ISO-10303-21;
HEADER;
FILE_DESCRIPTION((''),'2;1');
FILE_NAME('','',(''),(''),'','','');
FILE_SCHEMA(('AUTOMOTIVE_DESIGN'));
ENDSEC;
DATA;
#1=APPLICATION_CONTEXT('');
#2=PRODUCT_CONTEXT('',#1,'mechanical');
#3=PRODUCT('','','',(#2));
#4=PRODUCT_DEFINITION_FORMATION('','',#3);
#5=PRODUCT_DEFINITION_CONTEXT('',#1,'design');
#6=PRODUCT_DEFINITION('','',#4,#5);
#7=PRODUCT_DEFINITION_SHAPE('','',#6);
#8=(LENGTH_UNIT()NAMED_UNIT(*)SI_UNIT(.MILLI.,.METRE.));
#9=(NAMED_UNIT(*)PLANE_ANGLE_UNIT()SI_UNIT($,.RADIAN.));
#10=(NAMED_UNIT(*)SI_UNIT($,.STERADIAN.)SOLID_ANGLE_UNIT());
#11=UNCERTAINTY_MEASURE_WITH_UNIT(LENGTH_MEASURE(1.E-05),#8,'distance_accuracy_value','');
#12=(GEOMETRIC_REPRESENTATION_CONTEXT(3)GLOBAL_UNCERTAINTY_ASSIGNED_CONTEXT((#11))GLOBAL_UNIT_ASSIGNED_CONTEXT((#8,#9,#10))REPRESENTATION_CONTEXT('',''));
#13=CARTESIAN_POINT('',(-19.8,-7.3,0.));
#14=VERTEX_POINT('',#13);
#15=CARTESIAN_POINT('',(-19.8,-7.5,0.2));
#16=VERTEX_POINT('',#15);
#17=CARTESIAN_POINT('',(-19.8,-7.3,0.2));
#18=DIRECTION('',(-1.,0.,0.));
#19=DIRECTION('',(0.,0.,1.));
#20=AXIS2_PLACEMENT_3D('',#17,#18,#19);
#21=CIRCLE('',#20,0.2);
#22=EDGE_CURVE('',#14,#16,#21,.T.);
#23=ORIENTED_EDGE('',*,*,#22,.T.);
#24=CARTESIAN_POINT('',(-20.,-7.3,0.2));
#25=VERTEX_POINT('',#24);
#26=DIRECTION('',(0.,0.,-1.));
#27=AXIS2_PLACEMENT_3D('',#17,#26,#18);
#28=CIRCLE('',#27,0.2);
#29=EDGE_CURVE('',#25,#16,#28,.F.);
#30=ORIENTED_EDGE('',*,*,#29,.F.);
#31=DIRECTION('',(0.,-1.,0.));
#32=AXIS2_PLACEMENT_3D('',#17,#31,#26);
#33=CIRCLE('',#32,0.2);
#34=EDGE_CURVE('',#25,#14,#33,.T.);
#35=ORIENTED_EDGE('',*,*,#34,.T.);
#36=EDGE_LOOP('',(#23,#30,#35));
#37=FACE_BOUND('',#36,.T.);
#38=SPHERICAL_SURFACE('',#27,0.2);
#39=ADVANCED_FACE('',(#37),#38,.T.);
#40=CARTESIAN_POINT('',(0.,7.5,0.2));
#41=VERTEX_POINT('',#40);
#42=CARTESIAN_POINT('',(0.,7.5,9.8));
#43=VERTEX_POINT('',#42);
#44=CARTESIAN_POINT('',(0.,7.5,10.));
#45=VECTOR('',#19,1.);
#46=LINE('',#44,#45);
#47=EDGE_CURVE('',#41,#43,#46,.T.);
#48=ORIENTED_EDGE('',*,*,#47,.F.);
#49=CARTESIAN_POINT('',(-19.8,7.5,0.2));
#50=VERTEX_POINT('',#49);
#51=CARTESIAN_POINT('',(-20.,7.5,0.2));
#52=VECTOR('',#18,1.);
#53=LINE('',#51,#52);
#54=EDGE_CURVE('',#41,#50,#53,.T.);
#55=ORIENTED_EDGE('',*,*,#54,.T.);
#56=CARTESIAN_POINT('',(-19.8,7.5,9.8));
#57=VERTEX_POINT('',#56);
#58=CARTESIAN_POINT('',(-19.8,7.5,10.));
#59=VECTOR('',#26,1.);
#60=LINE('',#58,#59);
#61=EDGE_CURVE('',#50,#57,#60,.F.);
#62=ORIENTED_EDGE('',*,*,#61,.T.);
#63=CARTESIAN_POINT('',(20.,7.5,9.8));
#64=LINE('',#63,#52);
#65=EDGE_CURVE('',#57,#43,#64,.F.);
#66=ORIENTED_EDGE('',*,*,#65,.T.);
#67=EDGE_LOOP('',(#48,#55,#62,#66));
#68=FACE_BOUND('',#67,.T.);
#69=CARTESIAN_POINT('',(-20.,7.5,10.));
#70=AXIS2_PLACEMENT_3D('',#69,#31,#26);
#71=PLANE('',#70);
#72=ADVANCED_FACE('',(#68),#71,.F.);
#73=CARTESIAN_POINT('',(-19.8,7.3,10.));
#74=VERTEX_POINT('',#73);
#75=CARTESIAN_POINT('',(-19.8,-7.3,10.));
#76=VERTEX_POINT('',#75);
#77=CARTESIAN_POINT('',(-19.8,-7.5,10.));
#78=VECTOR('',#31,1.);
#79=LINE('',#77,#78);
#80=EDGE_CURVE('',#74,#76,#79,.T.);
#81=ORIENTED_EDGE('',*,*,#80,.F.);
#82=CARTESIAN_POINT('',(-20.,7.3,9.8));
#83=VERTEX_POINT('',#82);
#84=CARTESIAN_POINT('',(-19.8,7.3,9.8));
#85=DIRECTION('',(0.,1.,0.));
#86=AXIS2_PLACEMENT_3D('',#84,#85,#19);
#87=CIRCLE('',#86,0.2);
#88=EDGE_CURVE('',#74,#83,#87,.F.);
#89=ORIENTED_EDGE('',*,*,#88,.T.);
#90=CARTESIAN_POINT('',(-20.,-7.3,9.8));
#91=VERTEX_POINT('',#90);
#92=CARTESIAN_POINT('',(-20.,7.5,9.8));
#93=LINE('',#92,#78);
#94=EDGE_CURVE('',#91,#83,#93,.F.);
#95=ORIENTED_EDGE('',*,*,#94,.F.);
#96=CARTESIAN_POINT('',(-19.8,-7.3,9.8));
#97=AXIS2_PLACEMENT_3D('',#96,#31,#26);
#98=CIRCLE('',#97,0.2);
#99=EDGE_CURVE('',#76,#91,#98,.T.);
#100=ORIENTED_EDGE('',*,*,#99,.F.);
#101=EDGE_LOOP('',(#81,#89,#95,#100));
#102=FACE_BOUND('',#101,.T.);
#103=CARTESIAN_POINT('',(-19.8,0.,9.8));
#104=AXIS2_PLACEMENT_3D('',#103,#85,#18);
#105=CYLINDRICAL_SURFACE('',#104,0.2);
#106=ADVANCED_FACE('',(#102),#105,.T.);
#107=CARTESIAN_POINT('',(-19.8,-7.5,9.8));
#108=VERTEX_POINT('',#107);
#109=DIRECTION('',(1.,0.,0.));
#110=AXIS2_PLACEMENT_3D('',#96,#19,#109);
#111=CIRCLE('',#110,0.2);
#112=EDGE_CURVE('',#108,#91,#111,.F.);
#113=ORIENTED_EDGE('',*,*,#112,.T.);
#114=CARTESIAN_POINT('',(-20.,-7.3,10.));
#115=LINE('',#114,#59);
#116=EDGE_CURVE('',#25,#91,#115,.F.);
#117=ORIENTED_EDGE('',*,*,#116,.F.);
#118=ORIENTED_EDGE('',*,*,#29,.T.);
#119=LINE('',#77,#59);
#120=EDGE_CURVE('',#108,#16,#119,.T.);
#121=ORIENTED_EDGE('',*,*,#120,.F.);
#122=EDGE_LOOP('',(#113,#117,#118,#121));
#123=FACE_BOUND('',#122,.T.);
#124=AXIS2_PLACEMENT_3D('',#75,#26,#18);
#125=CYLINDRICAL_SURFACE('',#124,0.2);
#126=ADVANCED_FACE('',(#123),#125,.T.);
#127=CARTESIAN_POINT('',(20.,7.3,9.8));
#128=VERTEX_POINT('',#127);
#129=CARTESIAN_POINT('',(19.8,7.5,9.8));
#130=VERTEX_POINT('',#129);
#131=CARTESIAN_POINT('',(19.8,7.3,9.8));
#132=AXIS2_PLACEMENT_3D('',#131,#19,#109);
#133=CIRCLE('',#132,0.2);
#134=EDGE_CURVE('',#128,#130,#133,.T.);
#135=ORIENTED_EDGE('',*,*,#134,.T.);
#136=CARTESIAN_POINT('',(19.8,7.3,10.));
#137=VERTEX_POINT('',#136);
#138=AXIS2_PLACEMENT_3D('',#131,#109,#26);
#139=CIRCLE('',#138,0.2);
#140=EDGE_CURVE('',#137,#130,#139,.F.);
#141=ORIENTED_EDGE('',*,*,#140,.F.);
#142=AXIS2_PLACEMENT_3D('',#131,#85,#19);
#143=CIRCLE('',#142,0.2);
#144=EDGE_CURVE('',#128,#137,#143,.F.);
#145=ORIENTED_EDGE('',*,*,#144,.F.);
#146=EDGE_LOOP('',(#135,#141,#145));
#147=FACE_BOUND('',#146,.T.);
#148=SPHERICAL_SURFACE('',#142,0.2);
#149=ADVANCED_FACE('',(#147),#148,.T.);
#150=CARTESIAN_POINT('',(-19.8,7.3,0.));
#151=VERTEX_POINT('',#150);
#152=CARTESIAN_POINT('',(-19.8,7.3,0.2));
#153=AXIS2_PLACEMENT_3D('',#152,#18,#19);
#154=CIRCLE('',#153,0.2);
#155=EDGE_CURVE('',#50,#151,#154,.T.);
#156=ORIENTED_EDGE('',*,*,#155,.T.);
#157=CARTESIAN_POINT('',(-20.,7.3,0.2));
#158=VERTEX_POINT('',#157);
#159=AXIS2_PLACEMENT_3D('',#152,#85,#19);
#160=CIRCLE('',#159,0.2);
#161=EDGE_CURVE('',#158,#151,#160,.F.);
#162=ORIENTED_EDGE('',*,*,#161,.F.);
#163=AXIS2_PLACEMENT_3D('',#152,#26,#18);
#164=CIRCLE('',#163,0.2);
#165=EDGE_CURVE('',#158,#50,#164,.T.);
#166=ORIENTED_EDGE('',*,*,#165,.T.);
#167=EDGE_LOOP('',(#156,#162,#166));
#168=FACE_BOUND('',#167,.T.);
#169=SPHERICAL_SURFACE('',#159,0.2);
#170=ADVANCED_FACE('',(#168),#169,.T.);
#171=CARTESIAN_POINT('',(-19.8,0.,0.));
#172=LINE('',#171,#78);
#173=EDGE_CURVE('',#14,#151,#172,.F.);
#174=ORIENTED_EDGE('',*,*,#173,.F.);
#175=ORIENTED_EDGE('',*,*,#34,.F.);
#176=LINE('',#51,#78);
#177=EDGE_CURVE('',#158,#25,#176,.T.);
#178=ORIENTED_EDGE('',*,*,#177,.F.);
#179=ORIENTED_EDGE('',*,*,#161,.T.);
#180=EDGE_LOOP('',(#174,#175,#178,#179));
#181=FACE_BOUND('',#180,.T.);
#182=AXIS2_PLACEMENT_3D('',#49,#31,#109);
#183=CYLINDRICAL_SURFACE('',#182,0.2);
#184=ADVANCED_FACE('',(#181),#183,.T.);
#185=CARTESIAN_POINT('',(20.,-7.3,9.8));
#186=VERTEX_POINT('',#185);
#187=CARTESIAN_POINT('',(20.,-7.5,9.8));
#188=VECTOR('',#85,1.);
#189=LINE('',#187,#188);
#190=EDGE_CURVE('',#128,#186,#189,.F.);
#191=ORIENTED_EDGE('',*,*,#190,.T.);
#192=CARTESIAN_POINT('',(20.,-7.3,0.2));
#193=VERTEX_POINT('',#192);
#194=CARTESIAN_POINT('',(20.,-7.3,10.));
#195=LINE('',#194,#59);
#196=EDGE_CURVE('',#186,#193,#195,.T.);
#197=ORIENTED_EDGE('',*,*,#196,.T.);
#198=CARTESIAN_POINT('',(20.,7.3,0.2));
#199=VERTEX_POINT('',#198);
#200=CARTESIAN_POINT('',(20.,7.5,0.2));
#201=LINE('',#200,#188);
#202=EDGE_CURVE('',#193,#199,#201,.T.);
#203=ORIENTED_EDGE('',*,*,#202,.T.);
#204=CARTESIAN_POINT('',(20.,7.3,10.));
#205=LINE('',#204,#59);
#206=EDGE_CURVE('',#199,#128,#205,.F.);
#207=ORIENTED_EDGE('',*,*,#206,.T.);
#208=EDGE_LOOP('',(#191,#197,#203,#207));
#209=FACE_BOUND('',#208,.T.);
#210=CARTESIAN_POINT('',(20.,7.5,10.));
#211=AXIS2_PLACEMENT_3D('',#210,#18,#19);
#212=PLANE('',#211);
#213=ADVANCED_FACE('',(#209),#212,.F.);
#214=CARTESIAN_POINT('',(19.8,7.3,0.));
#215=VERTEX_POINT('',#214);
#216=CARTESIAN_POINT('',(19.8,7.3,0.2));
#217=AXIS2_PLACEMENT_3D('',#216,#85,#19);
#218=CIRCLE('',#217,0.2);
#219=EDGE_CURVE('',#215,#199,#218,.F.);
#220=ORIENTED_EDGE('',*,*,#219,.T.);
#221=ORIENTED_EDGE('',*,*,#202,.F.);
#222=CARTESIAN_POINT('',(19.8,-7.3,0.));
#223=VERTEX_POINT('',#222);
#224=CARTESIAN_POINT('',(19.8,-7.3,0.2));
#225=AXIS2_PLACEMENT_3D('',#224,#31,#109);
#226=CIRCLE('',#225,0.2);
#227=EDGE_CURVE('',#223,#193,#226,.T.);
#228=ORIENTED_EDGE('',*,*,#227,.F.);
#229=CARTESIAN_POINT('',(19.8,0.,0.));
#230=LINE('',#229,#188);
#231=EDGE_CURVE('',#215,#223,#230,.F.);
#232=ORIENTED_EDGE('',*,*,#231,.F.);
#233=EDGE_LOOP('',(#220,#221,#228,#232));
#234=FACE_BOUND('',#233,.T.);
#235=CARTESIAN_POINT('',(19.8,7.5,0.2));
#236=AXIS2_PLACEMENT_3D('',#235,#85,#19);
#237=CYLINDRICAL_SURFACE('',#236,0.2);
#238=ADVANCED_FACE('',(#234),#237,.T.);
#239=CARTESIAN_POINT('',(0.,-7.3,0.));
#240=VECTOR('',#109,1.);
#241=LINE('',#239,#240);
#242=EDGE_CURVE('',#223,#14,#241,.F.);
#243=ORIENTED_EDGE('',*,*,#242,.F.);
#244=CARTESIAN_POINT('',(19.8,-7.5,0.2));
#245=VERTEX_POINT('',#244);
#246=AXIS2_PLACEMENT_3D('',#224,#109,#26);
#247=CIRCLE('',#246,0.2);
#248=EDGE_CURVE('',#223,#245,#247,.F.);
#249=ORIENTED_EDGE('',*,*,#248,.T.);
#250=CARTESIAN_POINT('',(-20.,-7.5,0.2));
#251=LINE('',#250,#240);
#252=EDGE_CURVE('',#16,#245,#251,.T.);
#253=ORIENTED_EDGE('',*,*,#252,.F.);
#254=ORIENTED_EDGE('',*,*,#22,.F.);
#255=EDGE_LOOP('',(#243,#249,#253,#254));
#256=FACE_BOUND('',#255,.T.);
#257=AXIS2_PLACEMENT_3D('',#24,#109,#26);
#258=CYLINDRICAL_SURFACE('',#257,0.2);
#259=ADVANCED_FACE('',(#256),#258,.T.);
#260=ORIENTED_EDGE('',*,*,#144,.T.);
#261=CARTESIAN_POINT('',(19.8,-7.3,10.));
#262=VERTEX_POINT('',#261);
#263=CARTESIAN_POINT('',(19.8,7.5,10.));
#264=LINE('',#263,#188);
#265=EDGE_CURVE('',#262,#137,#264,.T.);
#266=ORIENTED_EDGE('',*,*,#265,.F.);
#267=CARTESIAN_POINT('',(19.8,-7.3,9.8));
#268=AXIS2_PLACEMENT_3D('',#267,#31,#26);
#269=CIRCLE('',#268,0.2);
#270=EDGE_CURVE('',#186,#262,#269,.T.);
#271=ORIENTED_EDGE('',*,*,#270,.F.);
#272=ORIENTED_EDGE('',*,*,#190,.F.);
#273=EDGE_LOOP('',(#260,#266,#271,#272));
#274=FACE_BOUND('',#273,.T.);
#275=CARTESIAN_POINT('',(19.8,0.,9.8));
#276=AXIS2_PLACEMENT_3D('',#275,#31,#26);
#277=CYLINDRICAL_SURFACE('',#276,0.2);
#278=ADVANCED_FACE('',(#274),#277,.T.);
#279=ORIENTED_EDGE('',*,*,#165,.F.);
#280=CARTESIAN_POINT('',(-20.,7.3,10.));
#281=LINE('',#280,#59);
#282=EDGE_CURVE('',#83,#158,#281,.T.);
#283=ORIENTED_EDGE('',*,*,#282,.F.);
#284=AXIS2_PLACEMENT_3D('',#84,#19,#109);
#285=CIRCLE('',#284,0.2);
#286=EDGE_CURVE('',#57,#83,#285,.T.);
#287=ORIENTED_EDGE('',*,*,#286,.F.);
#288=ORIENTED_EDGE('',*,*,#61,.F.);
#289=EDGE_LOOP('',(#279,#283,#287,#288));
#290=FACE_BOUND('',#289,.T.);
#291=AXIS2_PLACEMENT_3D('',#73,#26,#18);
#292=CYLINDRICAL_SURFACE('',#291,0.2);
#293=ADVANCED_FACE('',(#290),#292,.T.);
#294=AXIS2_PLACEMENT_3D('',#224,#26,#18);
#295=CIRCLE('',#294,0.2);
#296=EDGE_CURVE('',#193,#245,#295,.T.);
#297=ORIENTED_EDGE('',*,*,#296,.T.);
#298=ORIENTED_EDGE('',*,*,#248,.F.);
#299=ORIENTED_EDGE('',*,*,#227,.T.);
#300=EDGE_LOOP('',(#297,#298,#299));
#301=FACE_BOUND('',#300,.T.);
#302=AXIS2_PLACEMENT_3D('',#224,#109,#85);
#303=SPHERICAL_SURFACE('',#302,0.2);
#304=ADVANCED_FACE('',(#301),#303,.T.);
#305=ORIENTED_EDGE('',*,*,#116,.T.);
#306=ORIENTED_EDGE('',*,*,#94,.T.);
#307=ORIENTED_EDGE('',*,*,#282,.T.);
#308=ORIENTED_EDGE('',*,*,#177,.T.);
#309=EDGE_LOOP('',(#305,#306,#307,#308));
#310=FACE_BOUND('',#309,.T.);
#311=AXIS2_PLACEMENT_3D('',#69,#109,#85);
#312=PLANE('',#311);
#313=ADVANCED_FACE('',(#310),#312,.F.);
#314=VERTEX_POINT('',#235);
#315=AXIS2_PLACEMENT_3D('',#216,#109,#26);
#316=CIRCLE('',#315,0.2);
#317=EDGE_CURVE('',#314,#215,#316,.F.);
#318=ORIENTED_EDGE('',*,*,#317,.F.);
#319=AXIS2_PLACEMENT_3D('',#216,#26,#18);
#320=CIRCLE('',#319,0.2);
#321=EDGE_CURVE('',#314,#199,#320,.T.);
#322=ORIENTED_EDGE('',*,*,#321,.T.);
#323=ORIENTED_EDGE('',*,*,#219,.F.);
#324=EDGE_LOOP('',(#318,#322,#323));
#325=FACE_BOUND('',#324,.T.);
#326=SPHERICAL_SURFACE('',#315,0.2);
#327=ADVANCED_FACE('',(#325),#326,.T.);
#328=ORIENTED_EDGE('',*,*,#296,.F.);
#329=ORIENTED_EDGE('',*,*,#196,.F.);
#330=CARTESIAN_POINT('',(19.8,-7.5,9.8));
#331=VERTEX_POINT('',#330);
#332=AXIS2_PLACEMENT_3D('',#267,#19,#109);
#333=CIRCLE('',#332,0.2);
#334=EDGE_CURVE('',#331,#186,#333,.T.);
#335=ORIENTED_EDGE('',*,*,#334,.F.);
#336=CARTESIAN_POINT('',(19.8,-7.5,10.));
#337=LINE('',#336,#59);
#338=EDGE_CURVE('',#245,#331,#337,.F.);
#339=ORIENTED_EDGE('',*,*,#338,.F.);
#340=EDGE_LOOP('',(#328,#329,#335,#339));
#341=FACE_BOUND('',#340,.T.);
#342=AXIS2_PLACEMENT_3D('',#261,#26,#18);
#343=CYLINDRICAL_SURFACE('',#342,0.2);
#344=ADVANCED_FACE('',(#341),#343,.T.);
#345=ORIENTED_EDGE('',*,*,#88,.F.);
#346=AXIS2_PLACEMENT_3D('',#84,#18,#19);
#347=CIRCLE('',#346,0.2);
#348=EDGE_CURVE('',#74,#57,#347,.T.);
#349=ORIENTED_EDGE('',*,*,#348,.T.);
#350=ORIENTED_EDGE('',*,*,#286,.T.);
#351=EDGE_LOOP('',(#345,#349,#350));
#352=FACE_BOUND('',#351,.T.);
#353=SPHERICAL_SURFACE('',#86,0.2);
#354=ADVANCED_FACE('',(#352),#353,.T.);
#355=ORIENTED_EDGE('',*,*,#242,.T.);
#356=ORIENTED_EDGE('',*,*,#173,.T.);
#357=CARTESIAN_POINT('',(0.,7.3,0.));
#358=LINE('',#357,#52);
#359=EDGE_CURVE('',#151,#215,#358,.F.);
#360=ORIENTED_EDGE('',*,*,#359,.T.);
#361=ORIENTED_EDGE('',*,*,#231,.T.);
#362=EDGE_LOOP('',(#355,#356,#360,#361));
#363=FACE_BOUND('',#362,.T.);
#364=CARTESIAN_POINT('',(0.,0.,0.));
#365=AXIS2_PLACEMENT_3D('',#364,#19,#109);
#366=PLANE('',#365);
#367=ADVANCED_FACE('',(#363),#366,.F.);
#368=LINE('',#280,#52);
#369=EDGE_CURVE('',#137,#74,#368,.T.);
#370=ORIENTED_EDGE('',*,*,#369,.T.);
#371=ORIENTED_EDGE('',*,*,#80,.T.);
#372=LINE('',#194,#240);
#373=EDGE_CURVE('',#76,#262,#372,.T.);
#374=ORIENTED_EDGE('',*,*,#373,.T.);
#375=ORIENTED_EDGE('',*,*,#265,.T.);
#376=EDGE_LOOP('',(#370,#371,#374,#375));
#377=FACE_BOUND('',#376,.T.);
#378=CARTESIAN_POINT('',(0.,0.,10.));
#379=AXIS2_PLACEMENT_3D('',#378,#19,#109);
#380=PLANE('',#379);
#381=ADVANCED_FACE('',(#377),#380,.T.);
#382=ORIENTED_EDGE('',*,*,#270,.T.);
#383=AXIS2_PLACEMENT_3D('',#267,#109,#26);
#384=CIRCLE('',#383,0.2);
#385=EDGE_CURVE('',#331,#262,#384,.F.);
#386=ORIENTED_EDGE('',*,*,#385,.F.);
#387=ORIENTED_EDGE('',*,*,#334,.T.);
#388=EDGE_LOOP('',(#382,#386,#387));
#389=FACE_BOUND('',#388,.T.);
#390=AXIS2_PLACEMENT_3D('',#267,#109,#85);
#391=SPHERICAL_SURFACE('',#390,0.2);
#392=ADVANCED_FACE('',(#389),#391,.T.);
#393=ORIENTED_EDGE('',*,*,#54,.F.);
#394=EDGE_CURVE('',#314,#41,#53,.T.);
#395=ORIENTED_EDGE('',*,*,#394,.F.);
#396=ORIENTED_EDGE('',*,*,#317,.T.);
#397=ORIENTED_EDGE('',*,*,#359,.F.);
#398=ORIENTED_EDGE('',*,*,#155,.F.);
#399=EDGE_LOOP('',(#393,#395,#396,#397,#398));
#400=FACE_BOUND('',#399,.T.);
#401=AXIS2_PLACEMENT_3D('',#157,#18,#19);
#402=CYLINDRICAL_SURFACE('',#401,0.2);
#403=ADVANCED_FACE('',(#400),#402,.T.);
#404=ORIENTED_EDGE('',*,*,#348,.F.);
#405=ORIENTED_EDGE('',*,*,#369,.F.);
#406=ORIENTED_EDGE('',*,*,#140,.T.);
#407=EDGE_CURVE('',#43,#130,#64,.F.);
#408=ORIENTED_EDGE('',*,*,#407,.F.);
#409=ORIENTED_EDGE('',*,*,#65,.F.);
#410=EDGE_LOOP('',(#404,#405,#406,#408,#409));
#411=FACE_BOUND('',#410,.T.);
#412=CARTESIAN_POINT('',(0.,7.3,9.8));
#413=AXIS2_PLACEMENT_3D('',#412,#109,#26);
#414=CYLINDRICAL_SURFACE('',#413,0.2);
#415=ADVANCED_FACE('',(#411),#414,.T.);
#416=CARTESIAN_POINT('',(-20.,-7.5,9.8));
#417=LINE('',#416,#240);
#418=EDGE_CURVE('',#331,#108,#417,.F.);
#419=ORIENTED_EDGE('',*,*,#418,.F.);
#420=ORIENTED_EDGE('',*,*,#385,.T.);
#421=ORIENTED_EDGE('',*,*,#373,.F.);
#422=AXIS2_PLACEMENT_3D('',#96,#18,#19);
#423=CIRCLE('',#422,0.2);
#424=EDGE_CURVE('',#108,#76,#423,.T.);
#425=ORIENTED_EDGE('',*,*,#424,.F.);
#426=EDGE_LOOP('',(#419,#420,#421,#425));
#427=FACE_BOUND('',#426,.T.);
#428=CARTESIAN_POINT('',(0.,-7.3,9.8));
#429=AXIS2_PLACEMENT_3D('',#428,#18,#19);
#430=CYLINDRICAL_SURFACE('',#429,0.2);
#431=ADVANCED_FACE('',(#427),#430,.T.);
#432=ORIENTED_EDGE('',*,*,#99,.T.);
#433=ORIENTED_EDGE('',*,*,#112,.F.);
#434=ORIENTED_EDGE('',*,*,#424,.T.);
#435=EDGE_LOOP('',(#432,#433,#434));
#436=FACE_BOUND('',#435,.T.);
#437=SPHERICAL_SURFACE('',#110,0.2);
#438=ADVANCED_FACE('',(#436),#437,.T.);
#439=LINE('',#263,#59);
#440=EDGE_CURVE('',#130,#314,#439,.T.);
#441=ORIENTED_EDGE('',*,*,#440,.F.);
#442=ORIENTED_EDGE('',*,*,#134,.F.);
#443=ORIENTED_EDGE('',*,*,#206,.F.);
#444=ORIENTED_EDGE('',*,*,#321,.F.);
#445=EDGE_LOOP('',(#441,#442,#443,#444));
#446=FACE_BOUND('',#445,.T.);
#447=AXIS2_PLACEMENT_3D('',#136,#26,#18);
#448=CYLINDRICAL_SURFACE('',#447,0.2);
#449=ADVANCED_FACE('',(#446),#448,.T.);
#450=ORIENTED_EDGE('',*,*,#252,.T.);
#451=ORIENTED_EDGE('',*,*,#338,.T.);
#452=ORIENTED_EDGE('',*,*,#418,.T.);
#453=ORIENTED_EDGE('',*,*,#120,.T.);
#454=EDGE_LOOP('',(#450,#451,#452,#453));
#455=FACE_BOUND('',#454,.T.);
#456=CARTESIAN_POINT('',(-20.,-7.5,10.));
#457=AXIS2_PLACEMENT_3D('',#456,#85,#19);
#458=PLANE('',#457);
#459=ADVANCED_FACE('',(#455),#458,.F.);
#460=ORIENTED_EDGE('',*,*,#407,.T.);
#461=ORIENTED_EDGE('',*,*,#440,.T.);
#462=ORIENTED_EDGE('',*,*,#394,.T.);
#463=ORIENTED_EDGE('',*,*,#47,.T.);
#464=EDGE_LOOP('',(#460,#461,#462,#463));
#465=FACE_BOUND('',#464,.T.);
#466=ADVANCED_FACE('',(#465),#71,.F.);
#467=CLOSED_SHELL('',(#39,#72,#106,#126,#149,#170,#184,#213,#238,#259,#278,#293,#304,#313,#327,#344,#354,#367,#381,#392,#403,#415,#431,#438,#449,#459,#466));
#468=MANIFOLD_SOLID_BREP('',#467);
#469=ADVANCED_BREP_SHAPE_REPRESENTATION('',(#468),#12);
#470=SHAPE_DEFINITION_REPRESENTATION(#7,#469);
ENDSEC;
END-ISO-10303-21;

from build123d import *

# Parameters (mm, degrees)
CROQUIS3_W              = 40
CROQUIS3_H              = 15
SALIENTE_EXTRUIR1_DEPTH = 10
REDONDEO1_R             = 0.2


with BuildPart() as part:
    # Croquis3 → Saliente-Extruir1 (new body)
    with BuildSketch(Plane.XY):
        Rectangle(CROQUIS3_W, CROQUIS3_H)
    extrude(amount=SALIENTE_EXTRUIR1_DEPTH)

    # Redondeo1
    redondeo1_edges = [part.edges().sort_by_distance(p)[0] for p in [
        (-20, 0, 10),
        (0, -7.5, 10),
        (20, 0, 10),
        (0, -7.5, 0),
        (-20, 0, 0),
        (0, 7.5, 0),
        (20, 0, 0),
        (20, -7.5, 5),
        (-20, -7.5, 5),
        (-20, 7.5, 5),
        (20, 7.5, 5),
        (0, 7.5, 10),
    ]]
    fillet(redondeo1_edges, radius=REDONDEO1_R)


solid = part.part
